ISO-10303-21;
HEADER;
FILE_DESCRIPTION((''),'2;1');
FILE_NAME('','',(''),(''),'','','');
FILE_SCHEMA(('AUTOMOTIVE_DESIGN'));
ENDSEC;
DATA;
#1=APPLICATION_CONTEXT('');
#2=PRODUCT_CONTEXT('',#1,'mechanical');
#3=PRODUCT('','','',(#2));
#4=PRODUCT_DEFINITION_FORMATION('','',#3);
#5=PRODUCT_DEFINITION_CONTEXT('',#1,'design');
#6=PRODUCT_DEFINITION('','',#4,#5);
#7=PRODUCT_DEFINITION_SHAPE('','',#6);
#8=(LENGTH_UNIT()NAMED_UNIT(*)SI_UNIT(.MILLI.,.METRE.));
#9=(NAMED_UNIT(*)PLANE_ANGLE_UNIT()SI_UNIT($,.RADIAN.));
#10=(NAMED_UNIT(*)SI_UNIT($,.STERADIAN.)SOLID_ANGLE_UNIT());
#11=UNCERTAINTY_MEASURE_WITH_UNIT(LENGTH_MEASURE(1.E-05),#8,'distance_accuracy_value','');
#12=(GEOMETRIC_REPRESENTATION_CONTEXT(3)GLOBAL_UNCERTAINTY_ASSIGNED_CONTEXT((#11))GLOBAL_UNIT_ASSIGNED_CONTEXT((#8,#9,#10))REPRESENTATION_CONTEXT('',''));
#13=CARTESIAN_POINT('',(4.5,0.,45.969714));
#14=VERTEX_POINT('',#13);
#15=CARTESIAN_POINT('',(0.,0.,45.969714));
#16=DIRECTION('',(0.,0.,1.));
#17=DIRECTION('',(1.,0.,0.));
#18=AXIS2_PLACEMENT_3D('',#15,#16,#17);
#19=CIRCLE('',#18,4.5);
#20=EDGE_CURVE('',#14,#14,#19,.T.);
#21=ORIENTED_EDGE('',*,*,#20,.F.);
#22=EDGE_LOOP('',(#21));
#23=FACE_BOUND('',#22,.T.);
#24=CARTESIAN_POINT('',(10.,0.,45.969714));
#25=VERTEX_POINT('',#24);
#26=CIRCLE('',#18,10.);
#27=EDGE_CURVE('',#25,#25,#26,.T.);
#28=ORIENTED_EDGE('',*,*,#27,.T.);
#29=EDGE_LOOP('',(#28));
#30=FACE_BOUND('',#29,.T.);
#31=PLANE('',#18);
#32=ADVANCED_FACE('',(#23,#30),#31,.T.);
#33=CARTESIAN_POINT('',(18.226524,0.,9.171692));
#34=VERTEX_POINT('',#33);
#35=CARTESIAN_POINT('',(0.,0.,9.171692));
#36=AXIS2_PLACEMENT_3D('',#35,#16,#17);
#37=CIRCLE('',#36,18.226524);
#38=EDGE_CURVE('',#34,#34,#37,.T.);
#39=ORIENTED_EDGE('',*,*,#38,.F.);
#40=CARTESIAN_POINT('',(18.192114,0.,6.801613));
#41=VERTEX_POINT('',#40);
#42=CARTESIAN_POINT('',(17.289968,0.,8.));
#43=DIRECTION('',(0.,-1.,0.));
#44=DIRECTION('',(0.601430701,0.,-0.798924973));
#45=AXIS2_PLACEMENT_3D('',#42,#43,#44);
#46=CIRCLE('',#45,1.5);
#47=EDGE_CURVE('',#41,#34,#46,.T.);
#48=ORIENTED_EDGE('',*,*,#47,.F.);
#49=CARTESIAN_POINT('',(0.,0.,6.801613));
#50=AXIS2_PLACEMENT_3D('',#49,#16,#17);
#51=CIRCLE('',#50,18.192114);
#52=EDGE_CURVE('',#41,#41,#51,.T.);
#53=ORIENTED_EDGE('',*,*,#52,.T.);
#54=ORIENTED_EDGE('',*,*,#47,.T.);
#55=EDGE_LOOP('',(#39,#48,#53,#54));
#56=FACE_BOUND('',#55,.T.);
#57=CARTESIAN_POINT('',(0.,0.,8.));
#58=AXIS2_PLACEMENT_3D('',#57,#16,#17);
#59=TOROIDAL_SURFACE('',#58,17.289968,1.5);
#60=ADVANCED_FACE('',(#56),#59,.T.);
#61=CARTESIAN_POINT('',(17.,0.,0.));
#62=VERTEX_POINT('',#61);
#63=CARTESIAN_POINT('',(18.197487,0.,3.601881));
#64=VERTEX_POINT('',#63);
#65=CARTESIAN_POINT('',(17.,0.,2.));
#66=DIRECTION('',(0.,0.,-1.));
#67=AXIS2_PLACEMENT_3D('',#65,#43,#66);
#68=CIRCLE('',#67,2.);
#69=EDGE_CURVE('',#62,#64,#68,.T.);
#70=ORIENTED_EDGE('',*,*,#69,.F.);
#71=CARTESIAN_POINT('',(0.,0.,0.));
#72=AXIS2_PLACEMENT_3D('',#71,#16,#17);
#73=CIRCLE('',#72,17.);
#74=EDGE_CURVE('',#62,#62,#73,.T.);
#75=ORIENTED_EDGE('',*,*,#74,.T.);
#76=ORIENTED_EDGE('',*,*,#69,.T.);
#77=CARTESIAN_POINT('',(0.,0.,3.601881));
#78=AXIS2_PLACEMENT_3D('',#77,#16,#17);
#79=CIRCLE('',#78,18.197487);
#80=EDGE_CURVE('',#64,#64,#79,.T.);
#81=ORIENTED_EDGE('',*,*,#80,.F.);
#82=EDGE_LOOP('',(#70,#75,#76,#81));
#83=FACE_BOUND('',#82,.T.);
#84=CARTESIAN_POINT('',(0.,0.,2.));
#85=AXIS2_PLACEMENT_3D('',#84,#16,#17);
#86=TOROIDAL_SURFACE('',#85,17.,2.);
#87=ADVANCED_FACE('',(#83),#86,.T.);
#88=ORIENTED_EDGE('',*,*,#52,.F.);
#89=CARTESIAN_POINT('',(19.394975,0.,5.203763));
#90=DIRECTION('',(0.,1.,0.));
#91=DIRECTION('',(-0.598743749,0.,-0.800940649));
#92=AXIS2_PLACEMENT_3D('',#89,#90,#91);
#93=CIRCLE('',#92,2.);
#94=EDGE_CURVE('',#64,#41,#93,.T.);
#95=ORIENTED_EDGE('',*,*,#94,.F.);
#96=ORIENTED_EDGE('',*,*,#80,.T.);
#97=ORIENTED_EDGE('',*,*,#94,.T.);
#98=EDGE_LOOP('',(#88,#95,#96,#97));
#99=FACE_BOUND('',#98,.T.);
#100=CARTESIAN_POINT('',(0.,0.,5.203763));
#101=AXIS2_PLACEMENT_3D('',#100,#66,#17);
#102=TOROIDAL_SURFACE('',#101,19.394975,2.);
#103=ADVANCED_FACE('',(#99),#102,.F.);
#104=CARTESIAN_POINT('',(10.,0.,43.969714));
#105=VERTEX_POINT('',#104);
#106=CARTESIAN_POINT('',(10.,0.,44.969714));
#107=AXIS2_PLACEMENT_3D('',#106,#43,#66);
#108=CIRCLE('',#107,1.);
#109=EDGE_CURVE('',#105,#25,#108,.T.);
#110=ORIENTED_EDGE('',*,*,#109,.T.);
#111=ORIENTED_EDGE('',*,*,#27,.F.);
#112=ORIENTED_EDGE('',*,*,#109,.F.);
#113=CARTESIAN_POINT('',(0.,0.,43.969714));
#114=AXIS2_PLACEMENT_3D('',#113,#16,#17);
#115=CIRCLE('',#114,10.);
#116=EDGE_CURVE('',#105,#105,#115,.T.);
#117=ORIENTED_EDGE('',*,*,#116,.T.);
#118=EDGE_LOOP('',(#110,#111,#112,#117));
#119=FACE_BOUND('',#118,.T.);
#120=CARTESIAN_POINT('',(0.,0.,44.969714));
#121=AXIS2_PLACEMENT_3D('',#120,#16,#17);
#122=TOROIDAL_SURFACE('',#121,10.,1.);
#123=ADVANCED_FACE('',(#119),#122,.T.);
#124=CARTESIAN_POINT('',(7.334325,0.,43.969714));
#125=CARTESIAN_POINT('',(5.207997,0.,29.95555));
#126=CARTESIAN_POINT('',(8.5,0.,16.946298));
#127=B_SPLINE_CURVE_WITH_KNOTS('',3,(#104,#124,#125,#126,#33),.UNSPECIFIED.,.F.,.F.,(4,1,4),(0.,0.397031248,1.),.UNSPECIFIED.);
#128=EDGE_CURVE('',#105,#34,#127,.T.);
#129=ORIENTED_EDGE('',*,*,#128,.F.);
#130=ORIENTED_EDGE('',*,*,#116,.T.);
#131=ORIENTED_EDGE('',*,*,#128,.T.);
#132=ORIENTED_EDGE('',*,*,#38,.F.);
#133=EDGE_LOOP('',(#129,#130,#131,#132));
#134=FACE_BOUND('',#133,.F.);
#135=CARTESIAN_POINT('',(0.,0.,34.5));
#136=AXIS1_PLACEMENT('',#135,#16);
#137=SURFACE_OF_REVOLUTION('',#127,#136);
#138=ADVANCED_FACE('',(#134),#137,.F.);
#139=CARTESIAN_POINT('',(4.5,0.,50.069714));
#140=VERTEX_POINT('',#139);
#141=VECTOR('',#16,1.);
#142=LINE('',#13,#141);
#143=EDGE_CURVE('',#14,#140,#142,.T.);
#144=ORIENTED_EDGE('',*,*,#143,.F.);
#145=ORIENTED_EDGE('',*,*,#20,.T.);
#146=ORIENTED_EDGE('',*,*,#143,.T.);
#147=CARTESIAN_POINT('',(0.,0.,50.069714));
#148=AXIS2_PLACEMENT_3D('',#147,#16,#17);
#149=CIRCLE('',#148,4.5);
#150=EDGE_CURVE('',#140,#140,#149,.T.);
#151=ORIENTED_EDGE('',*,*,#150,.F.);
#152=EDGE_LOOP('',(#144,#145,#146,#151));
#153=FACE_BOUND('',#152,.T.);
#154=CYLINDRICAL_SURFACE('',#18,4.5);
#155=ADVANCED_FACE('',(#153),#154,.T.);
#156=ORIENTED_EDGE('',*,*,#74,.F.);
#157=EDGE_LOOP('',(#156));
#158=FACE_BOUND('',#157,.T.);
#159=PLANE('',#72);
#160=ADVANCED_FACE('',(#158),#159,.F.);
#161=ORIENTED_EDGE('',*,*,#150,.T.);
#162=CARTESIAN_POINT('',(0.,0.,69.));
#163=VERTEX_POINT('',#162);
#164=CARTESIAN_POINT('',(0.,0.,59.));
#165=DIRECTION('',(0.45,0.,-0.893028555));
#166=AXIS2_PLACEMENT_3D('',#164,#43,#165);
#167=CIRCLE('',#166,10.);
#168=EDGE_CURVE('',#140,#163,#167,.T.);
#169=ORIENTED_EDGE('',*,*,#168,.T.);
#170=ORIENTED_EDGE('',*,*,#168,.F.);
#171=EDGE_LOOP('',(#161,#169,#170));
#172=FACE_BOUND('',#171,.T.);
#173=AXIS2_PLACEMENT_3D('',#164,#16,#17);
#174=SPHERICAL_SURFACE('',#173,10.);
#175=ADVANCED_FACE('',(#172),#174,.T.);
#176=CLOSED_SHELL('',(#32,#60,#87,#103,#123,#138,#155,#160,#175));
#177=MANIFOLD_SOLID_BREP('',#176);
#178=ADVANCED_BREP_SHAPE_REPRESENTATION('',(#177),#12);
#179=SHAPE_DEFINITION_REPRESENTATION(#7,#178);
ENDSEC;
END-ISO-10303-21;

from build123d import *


with BuildPart() as f1:
    # F0 (on Front) → F1 (revolve)
    with BuildSketch(Plane.XZ):
        with BuildLine():
            Line((0, 69), (0, 0))
            Line((0, 0), (17, 0))
            ThreePointArc((17, 0), (18.8978622967, 1.3690335169), (18.1974874988, 3.6018812972))
            ThreePointArc((18.1974874988, 3.6018812972), (17.3949778182, 5.2004036282), (18.1921135967, 6.8016125404))
            ThreePointArc((18.1921135967, 6.8016125404), (18.7898094748, 7.9782241312), (18.2265242455, 9.1716917464))
            add(Edge.make_bspline(
                [(10, 43.9697144503), (7.3343249197, 43.9697144503), (5.207997373, 29.9555496825), (8.5, 16.9462975447), (18.2265242455, 9.1716917464)],
                knots=[0, 0, 0, 0, 0.3970312481, 1, 1, 1, 1], degree=3))
            ThreePointArc((10, 43.9697144503), (11, 44.9697144503), (10, 45.9697144503))
            Line((10, 45.9697144503), (4.5, 45.9697144503))
            Line((4.5, 45.9697144503), (4.5, 50.0697144503))
            ThreePointArc((4.5, 50.0697144503), (9.7288965329, 61.3126980458), (0, 69))
        make_face()
    revolve(axis=Axis((0, 0, 34.5), (0, 0, 1)))


solid = f1.part
